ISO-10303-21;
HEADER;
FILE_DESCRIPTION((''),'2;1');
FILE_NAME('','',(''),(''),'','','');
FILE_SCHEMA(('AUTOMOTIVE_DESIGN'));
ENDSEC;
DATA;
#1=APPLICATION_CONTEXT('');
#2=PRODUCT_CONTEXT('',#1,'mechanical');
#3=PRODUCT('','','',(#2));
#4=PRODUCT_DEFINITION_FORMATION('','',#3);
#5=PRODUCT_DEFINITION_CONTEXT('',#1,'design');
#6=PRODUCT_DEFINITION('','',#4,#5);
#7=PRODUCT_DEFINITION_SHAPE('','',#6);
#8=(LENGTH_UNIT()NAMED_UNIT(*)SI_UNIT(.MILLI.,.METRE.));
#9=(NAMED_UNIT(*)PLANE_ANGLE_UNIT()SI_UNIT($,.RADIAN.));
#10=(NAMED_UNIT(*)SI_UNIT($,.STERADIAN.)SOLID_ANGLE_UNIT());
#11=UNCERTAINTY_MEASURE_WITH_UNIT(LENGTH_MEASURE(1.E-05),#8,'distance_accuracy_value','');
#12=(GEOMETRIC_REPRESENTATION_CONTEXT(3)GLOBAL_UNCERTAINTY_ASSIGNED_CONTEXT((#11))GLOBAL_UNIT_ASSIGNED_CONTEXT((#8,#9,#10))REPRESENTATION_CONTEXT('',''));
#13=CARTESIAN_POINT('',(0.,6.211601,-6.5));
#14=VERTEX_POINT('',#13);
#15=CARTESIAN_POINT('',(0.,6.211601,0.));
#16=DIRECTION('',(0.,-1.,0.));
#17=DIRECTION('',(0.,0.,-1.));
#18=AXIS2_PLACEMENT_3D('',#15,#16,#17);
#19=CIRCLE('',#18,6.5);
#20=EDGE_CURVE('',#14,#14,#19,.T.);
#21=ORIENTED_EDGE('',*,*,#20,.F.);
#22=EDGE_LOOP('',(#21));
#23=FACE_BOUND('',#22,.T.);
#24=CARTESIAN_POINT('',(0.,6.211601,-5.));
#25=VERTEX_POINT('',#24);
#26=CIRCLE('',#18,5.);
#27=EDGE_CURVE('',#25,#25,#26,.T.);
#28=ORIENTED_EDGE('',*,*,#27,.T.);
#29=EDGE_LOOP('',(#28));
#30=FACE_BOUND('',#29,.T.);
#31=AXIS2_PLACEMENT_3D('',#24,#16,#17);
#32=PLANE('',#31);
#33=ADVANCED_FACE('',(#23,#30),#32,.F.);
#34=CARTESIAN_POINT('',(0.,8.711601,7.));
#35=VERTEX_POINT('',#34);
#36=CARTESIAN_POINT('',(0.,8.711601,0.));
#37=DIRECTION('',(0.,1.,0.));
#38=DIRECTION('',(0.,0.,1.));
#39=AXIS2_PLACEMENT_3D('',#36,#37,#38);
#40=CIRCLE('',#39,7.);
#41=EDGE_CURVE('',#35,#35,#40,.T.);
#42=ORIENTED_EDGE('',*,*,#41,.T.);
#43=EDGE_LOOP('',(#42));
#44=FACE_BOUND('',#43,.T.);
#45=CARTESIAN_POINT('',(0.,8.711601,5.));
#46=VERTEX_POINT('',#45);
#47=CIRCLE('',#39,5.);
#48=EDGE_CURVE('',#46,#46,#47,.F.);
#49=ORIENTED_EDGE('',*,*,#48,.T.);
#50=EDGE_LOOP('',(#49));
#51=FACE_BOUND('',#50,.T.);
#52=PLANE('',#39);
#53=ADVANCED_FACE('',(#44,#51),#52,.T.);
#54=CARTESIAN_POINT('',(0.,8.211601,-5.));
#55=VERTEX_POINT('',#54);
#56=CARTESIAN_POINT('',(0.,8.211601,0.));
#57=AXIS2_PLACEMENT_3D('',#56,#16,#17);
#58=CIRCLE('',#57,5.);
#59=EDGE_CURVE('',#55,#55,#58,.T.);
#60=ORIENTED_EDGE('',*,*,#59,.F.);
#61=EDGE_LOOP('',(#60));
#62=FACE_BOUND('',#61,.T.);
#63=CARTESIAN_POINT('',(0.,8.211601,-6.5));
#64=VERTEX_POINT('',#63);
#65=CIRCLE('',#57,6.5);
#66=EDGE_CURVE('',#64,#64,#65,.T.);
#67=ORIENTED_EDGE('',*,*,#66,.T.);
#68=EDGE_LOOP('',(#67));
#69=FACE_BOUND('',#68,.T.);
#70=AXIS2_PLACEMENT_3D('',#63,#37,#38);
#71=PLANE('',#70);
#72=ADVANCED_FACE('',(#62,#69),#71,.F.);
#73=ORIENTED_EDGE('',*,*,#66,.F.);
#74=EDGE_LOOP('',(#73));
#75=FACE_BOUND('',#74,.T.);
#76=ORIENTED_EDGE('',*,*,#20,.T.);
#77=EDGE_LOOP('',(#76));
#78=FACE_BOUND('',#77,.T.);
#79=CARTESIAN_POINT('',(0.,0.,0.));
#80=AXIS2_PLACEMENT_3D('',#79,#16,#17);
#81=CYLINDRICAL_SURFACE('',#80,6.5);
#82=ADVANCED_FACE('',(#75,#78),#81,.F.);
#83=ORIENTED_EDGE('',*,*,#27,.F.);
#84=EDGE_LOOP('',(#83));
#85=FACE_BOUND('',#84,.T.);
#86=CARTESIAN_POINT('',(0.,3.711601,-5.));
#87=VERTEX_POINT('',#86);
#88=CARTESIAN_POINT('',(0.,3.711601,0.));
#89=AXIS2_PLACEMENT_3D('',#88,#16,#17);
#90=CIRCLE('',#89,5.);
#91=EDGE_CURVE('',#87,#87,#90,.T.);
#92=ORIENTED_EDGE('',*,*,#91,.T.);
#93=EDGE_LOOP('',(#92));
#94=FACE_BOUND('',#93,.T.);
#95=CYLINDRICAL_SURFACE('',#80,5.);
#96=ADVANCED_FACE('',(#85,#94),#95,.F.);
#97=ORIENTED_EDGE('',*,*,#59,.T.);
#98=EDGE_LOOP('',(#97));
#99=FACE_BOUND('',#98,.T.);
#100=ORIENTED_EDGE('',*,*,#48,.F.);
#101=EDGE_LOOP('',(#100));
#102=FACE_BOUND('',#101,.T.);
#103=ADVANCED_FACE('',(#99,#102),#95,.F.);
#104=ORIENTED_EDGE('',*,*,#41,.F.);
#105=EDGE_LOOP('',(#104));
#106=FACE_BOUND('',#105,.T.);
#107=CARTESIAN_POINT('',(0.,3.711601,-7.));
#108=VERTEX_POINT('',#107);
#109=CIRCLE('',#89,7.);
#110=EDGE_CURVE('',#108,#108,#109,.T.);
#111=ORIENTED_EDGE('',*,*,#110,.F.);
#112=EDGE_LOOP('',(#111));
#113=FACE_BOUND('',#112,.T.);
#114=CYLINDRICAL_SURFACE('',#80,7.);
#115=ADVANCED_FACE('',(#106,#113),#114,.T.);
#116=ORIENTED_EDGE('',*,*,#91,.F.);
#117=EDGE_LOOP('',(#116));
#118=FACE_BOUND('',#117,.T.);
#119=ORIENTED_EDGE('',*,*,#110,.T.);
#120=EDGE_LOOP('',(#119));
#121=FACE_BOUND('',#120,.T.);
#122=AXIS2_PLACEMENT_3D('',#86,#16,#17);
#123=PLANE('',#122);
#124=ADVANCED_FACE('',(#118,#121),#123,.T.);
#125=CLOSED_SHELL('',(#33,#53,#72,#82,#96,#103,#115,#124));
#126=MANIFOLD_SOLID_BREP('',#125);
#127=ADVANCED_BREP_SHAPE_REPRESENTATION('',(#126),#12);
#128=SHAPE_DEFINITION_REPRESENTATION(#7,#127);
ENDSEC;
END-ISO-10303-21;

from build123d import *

# Parameters (mm, degrees)
SKETCH3_R          = 7
CUT_EXTRUDE1_DEPTH = 5


with BuildPart() as part:
    # Sketch2 → Revolve1 (revolve)
    with BuildSketch(Plane(origin=(0, 0, 0), x_dir=(0, 0, -1), z_dir=(1, 0, 0))):
        Polygon((5, 3.711600936), (7, 3.711600936), (7, 13.711600936), (5, 13.711600936), (5, 8.211600936), (6.5, 8.211600936), (6.5, 6.211600936), (5, 6.211600936), align=None)
    revolve(axis=Axis((0, 0, 0), (0, 1, 0)))

    # Sketch3 → Cut-Extrude1 (cut)
    with BuildSketch(Plane(origin=(0, 13.711600936, 0), x_dir=(1, 0, 0), z_dir=(0, 1, 0))):
        Circle(SKETCH3_R)
    extrude(amount=-CUT_EXTRUDE1_DEPTH, mode=Mode.SUBTRACT)


solid = part.part
